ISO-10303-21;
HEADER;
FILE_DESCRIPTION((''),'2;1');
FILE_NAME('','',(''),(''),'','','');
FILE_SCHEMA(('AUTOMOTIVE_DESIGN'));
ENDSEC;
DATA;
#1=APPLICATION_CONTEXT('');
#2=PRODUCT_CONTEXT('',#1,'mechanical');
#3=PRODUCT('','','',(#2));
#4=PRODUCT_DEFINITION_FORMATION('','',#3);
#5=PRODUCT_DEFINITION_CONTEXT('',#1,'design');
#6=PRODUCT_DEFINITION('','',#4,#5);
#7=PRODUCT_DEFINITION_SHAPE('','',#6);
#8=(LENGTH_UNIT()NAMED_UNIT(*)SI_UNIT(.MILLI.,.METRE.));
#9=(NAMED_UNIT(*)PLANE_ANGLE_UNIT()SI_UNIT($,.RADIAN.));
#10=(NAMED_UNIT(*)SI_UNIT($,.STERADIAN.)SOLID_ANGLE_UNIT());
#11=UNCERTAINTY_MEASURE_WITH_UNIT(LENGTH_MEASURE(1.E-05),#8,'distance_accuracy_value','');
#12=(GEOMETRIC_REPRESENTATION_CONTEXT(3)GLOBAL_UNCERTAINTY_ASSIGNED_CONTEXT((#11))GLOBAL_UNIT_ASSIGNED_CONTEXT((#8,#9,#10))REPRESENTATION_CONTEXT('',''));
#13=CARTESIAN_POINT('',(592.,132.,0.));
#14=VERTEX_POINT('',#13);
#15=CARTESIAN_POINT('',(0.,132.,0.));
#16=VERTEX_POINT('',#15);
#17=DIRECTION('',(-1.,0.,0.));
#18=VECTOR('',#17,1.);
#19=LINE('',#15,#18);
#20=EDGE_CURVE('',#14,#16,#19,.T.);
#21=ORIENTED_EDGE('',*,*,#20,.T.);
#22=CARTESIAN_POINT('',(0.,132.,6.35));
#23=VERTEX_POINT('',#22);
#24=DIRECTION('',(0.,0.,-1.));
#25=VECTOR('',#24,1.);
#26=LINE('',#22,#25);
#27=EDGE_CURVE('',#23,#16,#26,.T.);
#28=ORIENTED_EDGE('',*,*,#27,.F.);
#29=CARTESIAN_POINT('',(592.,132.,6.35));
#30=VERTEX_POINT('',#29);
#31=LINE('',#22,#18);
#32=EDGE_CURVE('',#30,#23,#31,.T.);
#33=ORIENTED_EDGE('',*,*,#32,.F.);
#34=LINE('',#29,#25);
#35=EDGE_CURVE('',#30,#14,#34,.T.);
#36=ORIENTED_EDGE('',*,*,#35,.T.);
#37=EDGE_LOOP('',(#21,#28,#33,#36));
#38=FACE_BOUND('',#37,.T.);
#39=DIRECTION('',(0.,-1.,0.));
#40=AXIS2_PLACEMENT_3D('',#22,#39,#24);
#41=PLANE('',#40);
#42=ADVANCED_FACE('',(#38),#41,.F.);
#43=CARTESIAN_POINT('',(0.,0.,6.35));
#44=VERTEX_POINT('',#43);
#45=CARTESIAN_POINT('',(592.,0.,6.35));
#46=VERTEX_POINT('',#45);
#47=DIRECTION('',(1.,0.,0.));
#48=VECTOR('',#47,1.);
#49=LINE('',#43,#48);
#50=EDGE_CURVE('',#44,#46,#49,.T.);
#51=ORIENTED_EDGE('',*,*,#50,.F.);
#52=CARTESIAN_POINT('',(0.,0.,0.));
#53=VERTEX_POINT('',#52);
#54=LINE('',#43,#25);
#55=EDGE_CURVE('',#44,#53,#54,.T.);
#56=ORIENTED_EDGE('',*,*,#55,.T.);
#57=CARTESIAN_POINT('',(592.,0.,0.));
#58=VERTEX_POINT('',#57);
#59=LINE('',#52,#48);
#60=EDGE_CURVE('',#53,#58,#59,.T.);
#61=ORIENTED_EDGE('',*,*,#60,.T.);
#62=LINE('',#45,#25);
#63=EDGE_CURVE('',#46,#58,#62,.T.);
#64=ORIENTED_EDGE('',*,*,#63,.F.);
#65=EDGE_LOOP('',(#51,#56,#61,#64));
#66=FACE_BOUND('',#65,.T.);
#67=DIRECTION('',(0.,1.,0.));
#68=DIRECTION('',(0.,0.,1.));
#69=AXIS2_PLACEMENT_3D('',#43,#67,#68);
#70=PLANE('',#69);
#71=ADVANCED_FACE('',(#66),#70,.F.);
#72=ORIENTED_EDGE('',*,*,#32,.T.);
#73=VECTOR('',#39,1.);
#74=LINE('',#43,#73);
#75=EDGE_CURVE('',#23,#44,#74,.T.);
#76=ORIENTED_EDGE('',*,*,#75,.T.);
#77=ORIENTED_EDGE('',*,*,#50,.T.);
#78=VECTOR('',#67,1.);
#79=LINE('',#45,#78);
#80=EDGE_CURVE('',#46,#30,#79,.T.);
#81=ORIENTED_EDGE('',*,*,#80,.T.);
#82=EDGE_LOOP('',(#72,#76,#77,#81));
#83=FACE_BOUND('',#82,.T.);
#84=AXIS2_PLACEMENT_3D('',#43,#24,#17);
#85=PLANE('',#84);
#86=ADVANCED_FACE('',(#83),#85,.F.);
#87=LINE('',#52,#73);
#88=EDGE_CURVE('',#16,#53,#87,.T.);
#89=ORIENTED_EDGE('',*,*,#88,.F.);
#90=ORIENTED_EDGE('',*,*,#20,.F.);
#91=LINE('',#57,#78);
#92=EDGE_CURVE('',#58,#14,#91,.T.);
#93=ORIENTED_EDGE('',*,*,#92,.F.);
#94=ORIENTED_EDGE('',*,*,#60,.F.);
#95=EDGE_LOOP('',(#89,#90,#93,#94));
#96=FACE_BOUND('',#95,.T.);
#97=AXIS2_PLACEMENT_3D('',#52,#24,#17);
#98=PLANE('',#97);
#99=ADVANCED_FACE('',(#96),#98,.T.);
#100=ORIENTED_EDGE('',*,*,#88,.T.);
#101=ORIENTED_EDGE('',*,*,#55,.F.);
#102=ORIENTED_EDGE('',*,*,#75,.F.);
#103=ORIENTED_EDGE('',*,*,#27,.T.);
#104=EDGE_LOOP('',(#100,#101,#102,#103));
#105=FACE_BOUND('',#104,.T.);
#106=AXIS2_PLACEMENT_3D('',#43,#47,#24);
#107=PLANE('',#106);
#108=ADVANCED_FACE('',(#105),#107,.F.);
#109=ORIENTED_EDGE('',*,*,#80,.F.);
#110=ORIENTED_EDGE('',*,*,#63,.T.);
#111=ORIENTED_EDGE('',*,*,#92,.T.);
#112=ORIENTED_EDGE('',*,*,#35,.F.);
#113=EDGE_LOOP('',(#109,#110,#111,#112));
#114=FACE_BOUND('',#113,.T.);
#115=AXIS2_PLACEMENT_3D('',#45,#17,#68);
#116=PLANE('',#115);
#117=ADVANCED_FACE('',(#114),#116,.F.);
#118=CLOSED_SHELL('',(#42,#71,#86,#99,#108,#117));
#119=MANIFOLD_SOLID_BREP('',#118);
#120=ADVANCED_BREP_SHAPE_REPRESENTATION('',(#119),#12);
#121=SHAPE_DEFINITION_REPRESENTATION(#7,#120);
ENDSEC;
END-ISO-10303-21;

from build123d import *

# Parameters (mm, degrees)
SKETCH1_W           = 592
SKETCH1_H           = 132
BOSS_EXTRUDE1_DEPTH = 6.35


with BuildPart() as part:
    # Sketch1 → Boss-Extrude1 (new body)
    with BuildSketch(Plane.XY):
        with Locations((296, 66)):
            Rectangle(SKETCH1_W, SKETCH1_H)
    extrude(amount=BOSS_EXTRUDE1_DEPTH)


solid = part.part
